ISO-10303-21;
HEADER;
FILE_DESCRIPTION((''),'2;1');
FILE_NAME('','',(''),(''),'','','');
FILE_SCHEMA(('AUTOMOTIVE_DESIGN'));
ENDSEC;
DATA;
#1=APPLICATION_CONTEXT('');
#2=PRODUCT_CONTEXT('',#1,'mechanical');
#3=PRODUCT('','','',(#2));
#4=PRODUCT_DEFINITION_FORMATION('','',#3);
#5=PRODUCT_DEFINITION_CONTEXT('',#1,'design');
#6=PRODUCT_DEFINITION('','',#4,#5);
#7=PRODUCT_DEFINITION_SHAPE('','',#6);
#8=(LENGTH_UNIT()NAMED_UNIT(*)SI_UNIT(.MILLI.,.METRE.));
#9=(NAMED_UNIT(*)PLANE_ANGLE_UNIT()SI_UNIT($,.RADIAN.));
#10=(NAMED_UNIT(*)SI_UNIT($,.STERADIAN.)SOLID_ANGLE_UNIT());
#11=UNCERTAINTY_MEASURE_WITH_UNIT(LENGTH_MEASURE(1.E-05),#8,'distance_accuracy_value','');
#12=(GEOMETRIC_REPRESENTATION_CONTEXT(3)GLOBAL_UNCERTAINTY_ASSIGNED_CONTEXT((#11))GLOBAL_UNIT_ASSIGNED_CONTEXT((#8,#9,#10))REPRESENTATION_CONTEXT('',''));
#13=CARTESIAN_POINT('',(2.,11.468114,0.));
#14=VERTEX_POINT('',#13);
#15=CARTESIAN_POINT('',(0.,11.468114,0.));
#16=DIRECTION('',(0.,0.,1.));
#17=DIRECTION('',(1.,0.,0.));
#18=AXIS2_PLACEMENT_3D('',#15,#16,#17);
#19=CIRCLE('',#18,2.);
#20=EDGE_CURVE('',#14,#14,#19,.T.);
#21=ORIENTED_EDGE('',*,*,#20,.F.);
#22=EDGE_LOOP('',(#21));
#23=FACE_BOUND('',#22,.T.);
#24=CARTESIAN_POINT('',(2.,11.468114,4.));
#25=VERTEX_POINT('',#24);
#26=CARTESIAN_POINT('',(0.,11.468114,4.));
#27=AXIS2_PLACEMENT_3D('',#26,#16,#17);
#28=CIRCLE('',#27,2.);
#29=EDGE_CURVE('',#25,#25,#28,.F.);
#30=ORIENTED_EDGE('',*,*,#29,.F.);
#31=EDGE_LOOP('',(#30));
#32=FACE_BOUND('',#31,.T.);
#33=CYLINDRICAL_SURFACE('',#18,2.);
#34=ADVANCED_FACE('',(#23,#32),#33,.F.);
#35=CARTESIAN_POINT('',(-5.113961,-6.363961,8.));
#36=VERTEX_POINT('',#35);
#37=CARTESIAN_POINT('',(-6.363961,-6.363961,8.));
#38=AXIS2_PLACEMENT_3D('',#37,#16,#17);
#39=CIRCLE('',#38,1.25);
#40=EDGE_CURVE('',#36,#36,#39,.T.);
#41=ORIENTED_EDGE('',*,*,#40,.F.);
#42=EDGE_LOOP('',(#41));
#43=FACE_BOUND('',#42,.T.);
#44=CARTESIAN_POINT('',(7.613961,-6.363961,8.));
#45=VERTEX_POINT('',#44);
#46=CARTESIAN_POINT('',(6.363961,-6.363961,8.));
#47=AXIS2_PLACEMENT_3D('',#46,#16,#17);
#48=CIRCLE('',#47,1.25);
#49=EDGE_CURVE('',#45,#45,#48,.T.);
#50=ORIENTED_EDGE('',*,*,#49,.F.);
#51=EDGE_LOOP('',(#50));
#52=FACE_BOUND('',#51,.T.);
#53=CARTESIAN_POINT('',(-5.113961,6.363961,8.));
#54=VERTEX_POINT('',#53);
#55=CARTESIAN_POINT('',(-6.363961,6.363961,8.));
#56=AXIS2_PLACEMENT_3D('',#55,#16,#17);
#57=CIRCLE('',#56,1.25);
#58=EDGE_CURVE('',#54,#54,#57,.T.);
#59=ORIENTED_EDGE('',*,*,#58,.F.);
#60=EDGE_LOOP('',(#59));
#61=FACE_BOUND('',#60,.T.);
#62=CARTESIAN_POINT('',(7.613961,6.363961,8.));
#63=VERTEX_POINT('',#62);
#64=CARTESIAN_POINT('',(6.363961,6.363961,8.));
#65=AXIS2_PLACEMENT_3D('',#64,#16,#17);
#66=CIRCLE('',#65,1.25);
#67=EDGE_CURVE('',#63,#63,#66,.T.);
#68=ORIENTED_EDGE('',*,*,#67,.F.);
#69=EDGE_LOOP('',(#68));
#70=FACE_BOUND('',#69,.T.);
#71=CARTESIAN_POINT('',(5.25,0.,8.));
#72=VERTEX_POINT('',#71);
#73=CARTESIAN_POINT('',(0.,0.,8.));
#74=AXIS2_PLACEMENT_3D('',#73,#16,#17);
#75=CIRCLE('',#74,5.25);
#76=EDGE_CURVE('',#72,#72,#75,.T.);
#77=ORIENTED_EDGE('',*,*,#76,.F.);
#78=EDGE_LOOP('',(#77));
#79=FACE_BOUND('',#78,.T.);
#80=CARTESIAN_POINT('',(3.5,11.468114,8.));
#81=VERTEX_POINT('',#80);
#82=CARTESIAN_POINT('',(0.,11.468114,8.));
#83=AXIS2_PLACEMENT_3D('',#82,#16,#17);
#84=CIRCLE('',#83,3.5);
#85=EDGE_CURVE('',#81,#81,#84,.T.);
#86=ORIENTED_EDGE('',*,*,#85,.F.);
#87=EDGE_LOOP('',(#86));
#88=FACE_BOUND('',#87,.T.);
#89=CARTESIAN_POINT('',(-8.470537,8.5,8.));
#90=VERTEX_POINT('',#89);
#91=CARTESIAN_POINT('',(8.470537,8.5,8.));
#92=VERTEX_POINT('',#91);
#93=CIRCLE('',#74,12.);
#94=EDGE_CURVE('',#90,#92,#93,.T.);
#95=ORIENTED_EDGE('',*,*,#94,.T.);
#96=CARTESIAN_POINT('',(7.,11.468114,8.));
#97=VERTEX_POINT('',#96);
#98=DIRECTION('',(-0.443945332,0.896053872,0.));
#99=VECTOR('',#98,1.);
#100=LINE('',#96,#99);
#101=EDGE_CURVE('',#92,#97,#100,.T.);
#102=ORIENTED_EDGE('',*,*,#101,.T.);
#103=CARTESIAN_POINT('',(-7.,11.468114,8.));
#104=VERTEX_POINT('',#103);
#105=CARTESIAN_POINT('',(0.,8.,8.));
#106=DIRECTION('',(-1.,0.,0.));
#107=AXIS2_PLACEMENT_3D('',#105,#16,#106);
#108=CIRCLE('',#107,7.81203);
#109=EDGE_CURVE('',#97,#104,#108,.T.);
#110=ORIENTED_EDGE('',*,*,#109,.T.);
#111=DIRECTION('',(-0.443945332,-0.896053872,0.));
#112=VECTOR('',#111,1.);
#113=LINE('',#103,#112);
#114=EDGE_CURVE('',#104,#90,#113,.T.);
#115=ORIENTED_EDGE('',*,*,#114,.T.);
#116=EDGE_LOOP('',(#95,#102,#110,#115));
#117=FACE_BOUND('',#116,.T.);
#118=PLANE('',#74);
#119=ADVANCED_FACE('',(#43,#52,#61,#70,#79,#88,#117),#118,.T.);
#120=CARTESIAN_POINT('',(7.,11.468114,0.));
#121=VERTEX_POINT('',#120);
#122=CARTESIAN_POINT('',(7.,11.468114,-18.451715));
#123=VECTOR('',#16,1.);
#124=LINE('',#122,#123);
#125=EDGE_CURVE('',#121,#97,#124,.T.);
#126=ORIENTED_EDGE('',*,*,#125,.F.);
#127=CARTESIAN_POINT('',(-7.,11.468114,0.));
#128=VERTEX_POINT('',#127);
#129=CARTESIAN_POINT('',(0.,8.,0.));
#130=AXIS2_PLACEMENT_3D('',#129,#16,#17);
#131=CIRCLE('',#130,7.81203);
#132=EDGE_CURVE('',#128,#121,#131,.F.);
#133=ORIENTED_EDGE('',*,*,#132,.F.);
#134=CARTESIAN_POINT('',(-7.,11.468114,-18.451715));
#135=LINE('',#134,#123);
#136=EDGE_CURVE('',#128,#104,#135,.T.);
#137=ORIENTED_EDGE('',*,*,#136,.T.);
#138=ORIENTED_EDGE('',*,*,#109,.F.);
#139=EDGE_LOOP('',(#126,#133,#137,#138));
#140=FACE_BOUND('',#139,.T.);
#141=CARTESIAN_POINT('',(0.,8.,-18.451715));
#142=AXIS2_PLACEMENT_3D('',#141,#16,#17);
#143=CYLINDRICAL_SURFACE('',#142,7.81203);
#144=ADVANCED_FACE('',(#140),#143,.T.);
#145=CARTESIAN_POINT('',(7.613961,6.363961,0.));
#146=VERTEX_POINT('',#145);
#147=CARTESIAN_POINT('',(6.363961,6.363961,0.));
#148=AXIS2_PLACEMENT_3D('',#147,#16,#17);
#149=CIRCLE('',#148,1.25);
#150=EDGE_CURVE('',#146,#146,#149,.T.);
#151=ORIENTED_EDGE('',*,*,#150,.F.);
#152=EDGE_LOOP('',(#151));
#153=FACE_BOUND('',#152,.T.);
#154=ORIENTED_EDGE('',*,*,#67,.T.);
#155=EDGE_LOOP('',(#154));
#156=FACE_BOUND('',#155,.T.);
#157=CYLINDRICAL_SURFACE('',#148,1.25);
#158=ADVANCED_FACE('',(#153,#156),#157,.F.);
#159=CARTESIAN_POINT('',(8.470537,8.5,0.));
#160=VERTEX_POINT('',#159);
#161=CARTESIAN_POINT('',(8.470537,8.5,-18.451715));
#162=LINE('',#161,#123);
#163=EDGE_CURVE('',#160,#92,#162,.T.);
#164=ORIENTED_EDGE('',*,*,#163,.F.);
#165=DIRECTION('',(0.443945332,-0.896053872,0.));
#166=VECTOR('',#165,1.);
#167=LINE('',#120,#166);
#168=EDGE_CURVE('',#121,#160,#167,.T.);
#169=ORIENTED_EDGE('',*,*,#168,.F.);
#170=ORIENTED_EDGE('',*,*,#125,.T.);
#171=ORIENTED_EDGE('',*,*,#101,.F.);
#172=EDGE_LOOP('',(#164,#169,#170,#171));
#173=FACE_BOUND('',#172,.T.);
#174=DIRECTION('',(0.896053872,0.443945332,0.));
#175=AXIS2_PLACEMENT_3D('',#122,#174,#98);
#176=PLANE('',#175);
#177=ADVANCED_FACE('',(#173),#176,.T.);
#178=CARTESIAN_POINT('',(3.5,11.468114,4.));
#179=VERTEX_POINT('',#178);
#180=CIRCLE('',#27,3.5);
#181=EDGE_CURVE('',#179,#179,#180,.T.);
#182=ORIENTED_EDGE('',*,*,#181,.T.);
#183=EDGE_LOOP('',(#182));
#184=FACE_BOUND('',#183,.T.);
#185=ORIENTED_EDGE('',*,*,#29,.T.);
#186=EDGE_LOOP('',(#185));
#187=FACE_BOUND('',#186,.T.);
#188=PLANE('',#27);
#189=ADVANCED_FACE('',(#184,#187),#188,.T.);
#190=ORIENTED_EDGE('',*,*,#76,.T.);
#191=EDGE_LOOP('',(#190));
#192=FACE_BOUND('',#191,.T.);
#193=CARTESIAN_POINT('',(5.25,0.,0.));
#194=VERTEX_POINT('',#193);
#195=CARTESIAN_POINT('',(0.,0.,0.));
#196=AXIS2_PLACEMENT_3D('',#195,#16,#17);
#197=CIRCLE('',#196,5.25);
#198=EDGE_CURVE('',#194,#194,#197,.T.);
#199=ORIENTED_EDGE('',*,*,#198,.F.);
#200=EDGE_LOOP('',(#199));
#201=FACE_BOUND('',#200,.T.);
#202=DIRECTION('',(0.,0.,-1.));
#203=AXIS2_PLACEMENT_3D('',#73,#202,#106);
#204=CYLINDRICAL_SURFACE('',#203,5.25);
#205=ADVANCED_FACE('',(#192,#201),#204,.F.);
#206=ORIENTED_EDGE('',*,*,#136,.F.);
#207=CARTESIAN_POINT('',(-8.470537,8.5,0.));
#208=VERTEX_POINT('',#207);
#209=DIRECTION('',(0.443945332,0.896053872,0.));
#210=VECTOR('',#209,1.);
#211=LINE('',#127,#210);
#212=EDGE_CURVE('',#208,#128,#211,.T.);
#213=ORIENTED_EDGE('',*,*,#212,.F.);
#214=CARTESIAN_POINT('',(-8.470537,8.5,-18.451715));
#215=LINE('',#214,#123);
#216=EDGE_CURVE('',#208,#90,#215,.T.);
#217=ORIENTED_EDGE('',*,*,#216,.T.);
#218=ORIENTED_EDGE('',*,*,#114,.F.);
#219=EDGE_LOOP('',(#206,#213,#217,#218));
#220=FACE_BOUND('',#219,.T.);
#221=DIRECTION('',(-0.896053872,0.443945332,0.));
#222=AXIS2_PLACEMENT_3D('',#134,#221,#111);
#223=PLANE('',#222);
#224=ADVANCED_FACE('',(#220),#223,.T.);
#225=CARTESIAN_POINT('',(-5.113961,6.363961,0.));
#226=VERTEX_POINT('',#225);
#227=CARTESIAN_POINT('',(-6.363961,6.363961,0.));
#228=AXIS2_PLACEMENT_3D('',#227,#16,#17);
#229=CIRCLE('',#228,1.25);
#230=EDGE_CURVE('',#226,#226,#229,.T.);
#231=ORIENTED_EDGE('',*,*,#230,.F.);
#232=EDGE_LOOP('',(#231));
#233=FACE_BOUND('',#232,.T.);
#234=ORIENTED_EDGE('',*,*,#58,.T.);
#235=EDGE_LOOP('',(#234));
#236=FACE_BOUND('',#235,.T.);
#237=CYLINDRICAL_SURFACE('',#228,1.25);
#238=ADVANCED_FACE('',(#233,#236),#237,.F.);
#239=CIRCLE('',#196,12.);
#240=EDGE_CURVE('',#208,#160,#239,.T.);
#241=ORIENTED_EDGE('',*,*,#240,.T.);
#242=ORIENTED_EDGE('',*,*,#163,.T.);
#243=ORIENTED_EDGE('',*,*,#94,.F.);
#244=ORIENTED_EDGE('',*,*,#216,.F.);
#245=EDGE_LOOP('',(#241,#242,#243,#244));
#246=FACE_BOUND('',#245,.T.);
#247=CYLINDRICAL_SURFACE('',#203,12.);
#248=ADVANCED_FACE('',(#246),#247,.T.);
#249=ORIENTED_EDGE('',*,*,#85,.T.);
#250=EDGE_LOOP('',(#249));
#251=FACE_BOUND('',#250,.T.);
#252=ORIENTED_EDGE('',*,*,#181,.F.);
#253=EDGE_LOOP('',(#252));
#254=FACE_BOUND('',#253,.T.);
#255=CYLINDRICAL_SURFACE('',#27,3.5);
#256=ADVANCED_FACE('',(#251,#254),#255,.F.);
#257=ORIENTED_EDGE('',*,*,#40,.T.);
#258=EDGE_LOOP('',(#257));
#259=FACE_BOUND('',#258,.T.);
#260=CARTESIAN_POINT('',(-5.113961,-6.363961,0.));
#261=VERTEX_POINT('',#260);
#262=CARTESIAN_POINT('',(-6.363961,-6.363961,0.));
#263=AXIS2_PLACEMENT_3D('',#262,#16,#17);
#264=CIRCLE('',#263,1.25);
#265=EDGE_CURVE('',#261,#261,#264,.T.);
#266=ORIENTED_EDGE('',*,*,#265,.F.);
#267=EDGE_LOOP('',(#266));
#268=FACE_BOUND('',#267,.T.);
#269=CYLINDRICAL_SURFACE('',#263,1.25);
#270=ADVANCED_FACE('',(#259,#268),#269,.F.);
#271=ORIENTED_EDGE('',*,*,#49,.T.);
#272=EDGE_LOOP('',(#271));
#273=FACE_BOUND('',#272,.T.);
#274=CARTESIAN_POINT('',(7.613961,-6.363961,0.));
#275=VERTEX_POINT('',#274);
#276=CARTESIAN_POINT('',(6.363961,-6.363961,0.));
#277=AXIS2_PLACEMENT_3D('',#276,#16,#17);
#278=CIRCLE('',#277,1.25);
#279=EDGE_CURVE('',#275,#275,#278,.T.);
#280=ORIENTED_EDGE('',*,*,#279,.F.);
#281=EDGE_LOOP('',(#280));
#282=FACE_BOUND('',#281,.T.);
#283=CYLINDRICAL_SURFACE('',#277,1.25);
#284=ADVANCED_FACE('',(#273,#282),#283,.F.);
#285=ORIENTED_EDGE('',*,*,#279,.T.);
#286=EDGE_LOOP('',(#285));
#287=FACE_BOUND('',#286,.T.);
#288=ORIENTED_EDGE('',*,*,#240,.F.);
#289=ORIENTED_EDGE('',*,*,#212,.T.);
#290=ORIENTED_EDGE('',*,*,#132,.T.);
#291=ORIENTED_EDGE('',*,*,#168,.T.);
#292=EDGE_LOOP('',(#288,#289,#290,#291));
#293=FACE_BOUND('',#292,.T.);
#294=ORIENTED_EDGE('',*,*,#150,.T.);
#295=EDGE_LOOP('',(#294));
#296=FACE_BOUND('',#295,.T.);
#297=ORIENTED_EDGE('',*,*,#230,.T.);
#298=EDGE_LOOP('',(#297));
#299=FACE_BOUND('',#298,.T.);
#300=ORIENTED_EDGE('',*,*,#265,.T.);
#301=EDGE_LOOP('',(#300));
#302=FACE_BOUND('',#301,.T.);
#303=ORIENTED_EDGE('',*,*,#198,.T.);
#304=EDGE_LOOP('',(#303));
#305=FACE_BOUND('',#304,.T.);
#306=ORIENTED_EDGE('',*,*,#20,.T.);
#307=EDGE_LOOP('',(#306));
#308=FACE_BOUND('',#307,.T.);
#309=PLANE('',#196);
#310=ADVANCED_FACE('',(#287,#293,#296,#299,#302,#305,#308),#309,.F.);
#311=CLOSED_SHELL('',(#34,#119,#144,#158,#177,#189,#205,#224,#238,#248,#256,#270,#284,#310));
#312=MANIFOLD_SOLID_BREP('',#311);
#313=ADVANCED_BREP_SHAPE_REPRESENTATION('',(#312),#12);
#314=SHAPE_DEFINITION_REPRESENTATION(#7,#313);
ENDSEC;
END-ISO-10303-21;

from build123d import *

# Parameters (mm, degrees)
ESQUISSE1_R             = 12
ESQUISSE1_R_2           = 5.25
BOSS_EXTRU_1_DEPTH      = 8
BOSS_EXTRU_2_DEPTH      = 8
ESQUISSE3_R             = 1.25
ENL_V_MAT_EXTRU_1_DEPTH = 22.401408884
ESQUISSE4_R             = 2
ENL_V_MAT_EXTRU_2_DEPTH = 22.401408884
ESQUISSE5_R             = 3.5
ENL_V_MAT_EXTRU_3_DEPTH = 4


with BuildPart() as part:
    # Esquisse1 → Boss.-Extru.1 (new body)
    with BuildSketch(Plane.XY):
        Circle(ESQUISSE1_R)
        Circle(ESQUISSE1_R_2, mode=Mode.SUBTRACT)
    extrude(amount=BOSS_EXTRU_1_DEPTH)

    # Esquisse2 → Boss.-Extru.2 (add)
    with BuildSketch(Plane.XY.offset(8)):
        with BuildLine():
            Line((-7, 11.468114388), (-8.470537173, 8.5))
            Line((-8.470537173, 8.5), (0, 8.5))
            Line((0, 8.5), (8.470537173, 8.5))
            Line((8.470537173, 8.5), (7, 11.468114388))
            ThreePointArc((7, 11.468114388), (0, 15.8120303), (-7, 11.468114388))
        make_face()
    extrude(amount=-BOSS_EXTRU_2_DEPTH)

    # Esquisse3 → Enlèv. mat.-Extru.1 (cut, through all)
    with BuildSketch(Plane.XY.offset(8)):
        with Locations((-6.363961031, 6.363961031)):
            Circle(ESQUISSE3_R)
        with Locations((6.363961031, 6.363961031)):
            Circle(ESQUISSE3_R)
        with Locations((6.363961031, -6.363961031)):
            Circle(ESQUISSE3_R)
        with Locations((-6.363961031, -6.363961031)):
            Circle(ESQUISSE3_R)
    extrude(amount=-ENL_V_MAT_EXTRU_1_DEPTH, mode=Mode.SUBTRACT)

    # Esquisse4 → Enlèv. mat.-Extru.2 (cut, through all)
    with BuildSketch(Plane.XY.offset(8)):
        with Locations((0, 11.468114388)):
            Circle(ESQUISSE4_R)
    extrude(amount=-ENL_V_MAT_EXTRU_2_DEPTH, mode=Mode.SUBTRACT)

    # Esquisse5 → Enlèv. mat.-Extru.3 (cut)
    with BuildSketch(Plane.XY.offset(8)):
        with Locations((0, 11.468114388)):
            Circle(ESQUISSE5_R)
    extrude(amount=-ENL_V_MAT_EXTRU_3_DEPTH, mode=Mode.SUBTRACT)


solid = part.part
